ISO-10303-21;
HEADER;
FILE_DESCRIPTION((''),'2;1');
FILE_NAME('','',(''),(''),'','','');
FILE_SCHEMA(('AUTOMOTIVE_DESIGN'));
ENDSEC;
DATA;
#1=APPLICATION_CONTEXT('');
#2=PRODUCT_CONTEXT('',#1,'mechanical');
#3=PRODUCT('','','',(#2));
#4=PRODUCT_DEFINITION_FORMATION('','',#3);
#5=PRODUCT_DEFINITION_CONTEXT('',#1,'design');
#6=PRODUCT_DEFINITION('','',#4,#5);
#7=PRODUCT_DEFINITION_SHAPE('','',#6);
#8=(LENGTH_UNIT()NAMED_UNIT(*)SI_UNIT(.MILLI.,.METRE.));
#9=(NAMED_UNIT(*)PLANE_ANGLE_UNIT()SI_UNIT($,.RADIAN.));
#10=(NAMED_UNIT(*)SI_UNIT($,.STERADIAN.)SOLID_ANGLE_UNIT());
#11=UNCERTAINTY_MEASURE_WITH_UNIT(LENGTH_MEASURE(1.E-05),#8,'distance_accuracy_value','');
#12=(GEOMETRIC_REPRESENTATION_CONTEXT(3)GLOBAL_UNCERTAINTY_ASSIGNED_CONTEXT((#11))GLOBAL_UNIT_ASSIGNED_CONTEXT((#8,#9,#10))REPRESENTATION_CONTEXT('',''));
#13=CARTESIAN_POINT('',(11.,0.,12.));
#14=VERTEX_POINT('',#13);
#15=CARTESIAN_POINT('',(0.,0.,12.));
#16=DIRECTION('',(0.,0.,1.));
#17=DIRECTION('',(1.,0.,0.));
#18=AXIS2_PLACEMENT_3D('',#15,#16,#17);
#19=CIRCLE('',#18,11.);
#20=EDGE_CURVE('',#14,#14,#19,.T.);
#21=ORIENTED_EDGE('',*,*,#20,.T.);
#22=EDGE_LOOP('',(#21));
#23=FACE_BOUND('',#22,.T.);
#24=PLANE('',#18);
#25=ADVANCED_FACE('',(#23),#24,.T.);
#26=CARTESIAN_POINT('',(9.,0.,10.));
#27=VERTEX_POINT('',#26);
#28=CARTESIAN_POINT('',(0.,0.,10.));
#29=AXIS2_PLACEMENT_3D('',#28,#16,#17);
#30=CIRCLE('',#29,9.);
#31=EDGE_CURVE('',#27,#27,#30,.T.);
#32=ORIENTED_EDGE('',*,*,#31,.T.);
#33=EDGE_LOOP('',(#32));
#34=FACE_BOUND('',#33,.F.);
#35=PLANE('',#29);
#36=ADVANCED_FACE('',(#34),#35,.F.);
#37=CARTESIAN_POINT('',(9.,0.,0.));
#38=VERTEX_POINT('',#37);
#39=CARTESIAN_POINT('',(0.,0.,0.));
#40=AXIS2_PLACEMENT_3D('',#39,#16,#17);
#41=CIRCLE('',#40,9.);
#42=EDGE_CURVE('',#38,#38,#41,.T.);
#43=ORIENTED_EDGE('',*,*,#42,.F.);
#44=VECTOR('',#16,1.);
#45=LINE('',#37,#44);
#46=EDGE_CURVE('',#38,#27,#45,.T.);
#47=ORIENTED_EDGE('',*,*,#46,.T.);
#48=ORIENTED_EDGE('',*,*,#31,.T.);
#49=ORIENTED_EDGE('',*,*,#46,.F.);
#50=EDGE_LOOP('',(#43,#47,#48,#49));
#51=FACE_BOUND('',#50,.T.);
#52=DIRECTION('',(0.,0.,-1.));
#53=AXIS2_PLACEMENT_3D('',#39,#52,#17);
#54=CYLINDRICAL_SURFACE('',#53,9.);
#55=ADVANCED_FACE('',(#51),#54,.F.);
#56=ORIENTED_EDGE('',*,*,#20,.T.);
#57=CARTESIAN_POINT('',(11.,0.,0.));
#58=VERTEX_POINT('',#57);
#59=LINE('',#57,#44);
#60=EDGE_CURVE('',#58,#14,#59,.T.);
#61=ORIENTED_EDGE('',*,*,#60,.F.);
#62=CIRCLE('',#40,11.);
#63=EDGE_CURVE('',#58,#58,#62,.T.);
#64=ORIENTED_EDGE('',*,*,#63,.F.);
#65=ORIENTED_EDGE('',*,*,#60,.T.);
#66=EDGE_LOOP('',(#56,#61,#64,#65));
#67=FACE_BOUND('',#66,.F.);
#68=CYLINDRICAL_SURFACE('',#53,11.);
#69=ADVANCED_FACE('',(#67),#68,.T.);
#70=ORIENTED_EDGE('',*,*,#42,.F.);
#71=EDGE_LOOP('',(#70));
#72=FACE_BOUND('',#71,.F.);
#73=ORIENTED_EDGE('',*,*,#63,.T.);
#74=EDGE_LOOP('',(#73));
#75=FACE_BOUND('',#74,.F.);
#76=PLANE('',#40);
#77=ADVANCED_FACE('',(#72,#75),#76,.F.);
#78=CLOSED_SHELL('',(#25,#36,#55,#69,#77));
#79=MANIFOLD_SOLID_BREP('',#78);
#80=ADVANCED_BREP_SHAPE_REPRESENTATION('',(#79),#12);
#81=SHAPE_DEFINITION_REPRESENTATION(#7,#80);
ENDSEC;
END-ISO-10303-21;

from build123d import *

# Parameters (mm, degrees)
CYLINDER_R        = 9
CYLINDER_DEPTH    = 10
CYLINDER001_R     = 11
CYLINDER001_DEPTH = 12


with BuildPart() as cylinder:
    # Cylinder → Cylinder (new body)
    with BuildSketch(Plane.XY):
        Circle(CYLINDER_R)
    extrude(amount=CYLINDER_DEPTH)


with BuildPart() as cut:
    # Cylinder001 → Cylinder001 (new body)
    with BuildSketch(Plane.XY):
        Circle(CYLINDER001_R)
    extrude(amount=CYLINDER001_DEPTH)

    # Cut: cut Cylinder
    add(cylinder.part, mode=Mode.SUBTRACT)


solid = cut.part
